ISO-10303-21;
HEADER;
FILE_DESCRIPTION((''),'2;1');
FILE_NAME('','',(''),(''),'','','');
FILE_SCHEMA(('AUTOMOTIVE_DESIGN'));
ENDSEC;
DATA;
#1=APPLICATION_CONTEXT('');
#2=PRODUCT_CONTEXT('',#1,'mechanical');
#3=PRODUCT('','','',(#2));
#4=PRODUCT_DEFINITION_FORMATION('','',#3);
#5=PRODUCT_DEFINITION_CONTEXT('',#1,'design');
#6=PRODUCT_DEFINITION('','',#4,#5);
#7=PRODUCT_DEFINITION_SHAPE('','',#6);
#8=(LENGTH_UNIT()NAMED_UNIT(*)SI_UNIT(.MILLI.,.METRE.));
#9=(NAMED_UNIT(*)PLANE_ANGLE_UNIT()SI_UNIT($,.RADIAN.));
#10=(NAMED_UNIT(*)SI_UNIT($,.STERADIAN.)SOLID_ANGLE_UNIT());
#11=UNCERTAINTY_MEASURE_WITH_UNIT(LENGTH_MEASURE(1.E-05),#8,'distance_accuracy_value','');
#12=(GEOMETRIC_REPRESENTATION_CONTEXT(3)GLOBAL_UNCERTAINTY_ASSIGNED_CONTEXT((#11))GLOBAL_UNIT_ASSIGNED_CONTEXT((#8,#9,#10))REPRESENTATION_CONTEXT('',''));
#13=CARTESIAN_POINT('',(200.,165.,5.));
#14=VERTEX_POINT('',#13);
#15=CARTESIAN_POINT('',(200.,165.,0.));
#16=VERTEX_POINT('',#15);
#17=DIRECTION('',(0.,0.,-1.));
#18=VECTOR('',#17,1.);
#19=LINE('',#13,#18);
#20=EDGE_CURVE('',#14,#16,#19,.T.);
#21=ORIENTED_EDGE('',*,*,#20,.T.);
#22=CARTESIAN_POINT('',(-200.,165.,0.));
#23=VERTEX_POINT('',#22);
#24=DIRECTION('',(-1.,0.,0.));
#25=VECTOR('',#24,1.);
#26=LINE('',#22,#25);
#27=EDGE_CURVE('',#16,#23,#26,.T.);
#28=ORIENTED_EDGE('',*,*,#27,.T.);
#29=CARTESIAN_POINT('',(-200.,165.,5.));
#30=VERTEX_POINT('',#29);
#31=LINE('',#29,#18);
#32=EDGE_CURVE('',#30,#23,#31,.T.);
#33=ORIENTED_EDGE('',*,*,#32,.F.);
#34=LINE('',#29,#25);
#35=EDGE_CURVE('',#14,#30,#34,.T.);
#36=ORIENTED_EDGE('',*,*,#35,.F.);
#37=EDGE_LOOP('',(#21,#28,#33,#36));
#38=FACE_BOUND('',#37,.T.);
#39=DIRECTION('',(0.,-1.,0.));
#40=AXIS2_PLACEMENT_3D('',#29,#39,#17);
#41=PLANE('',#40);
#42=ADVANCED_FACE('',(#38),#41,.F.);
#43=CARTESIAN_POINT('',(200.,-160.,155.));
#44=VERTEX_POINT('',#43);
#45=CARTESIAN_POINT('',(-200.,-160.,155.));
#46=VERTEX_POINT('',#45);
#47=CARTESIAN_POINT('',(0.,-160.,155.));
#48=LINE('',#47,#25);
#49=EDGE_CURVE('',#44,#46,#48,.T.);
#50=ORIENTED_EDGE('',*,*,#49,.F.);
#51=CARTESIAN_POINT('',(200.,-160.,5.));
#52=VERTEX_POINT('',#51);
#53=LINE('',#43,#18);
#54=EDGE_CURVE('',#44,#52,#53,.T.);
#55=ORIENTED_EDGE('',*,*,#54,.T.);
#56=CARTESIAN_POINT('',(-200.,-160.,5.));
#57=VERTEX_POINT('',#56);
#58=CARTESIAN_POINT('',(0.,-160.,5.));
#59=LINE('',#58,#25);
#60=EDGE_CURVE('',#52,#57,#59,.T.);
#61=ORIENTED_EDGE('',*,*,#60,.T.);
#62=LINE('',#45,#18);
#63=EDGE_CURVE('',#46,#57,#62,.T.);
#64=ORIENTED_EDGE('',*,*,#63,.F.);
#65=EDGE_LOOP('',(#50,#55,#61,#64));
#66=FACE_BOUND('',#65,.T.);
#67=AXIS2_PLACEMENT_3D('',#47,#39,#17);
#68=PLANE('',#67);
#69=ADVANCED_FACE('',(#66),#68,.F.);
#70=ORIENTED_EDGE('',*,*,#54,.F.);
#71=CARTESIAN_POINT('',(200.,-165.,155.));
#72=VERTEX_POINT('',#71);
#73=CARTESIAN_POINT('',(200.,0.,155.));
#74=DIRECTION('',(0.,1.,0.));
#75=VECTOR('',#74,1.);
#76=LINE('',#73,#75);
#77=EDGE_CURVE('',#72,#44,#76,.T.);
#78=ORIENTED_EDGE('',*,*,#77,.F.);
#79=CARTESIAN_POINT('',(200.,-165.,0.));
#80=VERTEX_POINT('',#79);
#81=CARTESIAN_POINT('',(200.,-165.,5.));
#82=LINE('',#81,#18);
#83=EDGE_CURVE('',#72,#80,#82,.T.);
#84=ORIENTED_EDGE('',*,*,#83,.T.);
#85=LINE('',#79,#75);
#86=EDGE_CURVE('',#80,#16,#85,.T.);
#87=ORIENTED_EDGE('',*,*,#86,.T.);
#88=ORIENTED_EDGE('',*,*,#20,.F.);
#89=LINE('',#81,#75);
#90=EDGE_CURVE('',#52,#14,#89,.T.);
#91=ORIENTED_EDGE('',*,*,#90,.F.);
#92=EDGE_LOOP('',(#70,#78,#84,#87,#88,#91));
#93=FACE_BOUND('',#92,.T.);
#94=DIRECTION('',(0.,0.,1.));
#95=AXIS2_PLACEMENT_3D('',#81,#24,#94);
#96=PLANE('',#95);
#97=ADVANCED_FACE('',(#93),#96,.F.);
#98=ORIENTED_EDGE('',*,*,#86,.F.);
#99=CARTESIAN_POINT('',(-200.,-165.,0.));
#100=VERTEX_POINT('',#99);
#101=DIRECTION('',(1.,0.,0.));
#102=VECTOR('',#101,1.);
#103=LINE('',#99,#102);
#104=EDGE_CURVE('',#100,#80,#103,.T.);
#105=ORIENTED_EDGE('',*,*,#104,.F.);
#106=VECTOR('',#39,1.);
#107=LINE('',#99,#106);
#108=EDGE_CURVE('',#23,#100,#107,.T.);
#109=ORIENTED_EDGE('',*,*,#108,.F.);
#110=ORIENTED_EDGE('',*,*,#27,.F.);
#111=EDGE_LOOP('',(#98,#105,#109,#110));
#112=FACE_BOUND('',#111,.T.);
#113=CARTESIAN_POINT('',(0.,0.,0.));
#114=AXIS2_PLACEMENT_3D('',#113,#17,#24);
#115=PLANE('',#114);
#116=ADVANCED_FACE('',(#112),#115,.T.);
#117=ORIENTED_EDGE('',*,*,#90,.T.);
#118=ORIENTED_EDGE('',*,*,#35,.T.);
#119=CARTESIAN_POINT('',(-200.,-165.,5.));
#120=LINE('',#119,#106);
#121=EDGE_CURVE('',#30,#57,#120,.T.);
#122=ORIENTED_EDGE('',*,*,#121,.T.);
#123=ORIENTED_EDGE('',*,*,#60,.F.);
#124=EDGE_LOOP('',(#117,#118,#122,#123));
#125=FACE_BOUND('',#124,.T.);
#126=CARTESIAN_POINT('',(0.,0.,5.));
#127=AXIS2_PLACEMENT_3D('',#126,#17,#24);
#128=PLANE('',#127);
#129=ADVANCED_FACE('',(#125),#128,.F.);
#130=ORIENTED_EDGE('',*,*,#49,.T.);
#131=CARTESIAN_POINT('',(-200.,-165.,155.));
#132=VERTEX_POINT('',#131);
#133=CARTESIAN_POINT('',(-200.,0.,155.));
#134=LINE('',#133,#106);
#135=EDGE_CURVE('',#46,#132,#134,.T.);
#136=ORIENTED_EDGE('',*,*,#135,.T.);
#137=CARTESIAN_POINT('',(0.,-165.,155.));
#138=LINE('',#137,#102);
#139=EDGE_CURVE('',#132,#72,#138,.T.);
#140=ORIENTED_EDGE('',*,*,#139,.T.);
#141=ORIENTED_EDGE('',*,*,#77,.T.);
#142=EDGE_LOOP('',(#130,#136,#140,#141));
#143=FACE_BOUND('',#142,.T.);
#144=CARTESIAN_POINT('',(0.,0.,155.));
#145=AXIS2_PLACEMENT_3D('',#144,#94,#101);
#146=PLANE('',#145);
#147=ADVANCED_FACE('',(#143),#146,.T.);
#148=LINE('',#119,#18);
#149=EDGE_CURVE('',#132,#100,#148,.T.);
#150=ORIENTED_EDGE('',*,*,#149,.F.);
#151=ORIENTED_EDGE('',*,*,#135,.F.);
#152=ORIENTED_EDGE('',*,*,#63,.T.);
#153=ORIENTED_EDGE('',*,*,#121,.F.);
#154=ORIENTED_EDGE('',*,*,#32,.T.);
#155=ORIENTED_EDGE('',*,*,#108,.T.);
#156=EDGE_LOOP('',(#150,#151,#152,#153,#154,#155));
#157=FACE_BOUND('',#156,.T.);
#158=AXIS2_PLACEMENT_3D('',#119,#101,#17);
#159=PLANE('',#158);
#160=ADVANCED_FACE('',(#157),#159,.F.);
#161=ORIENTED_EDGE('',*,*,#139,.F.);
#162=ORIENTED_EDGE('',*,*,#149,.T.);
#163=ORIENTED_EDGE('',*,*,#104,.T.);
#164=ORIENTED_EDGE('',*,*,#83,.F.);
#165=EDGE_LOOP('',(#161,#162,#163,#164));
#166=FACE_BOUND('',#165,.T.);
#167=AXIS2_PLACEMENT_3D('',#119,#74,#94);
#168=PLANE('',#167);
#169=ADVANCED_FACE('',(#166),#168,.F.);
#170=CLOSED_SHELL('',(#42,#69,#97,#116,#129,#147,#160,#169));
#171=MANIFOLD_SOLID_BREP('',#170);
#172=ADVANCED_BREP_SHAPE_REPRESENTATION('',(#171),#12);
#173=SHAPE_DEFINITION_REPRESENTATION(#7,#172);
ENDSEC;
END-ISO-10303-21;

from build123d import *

# Parameters (mm, degrees)
SKETCH1_W           = 400
SKETCH1_H           = 330
BOSS_EXTRUDE1_DEPTH = 5
BOSS_EXTRUDE2_START = 5
SKETCH2_W           = 400
SKETCH2_H           = 5
BOSS_EXTRUDE2_DEPTH = 150


with BuildPart() as part:
    # Sketch1 → Boss-Extrude1 (new body)
    with BuildSketch(Plane.XY):
        Rectangle(SKETCH1_W, SKETCH1_H)
    extrude(amount=BOSS_EXTRUDE1_DEPTH)

    # Sketch2 → Boss-Extrude2 (add)
    with BuildSketch(Plane.XY.offset(BOSS_EXTRUDE2_START)):
        with Locations((0, -162.5)):
            Rectangle(SKETCH2_W, SKETCH2_H)
    extrude(amount=BOSS_EXTRUDE2_DEPTH)


solid = part.part
